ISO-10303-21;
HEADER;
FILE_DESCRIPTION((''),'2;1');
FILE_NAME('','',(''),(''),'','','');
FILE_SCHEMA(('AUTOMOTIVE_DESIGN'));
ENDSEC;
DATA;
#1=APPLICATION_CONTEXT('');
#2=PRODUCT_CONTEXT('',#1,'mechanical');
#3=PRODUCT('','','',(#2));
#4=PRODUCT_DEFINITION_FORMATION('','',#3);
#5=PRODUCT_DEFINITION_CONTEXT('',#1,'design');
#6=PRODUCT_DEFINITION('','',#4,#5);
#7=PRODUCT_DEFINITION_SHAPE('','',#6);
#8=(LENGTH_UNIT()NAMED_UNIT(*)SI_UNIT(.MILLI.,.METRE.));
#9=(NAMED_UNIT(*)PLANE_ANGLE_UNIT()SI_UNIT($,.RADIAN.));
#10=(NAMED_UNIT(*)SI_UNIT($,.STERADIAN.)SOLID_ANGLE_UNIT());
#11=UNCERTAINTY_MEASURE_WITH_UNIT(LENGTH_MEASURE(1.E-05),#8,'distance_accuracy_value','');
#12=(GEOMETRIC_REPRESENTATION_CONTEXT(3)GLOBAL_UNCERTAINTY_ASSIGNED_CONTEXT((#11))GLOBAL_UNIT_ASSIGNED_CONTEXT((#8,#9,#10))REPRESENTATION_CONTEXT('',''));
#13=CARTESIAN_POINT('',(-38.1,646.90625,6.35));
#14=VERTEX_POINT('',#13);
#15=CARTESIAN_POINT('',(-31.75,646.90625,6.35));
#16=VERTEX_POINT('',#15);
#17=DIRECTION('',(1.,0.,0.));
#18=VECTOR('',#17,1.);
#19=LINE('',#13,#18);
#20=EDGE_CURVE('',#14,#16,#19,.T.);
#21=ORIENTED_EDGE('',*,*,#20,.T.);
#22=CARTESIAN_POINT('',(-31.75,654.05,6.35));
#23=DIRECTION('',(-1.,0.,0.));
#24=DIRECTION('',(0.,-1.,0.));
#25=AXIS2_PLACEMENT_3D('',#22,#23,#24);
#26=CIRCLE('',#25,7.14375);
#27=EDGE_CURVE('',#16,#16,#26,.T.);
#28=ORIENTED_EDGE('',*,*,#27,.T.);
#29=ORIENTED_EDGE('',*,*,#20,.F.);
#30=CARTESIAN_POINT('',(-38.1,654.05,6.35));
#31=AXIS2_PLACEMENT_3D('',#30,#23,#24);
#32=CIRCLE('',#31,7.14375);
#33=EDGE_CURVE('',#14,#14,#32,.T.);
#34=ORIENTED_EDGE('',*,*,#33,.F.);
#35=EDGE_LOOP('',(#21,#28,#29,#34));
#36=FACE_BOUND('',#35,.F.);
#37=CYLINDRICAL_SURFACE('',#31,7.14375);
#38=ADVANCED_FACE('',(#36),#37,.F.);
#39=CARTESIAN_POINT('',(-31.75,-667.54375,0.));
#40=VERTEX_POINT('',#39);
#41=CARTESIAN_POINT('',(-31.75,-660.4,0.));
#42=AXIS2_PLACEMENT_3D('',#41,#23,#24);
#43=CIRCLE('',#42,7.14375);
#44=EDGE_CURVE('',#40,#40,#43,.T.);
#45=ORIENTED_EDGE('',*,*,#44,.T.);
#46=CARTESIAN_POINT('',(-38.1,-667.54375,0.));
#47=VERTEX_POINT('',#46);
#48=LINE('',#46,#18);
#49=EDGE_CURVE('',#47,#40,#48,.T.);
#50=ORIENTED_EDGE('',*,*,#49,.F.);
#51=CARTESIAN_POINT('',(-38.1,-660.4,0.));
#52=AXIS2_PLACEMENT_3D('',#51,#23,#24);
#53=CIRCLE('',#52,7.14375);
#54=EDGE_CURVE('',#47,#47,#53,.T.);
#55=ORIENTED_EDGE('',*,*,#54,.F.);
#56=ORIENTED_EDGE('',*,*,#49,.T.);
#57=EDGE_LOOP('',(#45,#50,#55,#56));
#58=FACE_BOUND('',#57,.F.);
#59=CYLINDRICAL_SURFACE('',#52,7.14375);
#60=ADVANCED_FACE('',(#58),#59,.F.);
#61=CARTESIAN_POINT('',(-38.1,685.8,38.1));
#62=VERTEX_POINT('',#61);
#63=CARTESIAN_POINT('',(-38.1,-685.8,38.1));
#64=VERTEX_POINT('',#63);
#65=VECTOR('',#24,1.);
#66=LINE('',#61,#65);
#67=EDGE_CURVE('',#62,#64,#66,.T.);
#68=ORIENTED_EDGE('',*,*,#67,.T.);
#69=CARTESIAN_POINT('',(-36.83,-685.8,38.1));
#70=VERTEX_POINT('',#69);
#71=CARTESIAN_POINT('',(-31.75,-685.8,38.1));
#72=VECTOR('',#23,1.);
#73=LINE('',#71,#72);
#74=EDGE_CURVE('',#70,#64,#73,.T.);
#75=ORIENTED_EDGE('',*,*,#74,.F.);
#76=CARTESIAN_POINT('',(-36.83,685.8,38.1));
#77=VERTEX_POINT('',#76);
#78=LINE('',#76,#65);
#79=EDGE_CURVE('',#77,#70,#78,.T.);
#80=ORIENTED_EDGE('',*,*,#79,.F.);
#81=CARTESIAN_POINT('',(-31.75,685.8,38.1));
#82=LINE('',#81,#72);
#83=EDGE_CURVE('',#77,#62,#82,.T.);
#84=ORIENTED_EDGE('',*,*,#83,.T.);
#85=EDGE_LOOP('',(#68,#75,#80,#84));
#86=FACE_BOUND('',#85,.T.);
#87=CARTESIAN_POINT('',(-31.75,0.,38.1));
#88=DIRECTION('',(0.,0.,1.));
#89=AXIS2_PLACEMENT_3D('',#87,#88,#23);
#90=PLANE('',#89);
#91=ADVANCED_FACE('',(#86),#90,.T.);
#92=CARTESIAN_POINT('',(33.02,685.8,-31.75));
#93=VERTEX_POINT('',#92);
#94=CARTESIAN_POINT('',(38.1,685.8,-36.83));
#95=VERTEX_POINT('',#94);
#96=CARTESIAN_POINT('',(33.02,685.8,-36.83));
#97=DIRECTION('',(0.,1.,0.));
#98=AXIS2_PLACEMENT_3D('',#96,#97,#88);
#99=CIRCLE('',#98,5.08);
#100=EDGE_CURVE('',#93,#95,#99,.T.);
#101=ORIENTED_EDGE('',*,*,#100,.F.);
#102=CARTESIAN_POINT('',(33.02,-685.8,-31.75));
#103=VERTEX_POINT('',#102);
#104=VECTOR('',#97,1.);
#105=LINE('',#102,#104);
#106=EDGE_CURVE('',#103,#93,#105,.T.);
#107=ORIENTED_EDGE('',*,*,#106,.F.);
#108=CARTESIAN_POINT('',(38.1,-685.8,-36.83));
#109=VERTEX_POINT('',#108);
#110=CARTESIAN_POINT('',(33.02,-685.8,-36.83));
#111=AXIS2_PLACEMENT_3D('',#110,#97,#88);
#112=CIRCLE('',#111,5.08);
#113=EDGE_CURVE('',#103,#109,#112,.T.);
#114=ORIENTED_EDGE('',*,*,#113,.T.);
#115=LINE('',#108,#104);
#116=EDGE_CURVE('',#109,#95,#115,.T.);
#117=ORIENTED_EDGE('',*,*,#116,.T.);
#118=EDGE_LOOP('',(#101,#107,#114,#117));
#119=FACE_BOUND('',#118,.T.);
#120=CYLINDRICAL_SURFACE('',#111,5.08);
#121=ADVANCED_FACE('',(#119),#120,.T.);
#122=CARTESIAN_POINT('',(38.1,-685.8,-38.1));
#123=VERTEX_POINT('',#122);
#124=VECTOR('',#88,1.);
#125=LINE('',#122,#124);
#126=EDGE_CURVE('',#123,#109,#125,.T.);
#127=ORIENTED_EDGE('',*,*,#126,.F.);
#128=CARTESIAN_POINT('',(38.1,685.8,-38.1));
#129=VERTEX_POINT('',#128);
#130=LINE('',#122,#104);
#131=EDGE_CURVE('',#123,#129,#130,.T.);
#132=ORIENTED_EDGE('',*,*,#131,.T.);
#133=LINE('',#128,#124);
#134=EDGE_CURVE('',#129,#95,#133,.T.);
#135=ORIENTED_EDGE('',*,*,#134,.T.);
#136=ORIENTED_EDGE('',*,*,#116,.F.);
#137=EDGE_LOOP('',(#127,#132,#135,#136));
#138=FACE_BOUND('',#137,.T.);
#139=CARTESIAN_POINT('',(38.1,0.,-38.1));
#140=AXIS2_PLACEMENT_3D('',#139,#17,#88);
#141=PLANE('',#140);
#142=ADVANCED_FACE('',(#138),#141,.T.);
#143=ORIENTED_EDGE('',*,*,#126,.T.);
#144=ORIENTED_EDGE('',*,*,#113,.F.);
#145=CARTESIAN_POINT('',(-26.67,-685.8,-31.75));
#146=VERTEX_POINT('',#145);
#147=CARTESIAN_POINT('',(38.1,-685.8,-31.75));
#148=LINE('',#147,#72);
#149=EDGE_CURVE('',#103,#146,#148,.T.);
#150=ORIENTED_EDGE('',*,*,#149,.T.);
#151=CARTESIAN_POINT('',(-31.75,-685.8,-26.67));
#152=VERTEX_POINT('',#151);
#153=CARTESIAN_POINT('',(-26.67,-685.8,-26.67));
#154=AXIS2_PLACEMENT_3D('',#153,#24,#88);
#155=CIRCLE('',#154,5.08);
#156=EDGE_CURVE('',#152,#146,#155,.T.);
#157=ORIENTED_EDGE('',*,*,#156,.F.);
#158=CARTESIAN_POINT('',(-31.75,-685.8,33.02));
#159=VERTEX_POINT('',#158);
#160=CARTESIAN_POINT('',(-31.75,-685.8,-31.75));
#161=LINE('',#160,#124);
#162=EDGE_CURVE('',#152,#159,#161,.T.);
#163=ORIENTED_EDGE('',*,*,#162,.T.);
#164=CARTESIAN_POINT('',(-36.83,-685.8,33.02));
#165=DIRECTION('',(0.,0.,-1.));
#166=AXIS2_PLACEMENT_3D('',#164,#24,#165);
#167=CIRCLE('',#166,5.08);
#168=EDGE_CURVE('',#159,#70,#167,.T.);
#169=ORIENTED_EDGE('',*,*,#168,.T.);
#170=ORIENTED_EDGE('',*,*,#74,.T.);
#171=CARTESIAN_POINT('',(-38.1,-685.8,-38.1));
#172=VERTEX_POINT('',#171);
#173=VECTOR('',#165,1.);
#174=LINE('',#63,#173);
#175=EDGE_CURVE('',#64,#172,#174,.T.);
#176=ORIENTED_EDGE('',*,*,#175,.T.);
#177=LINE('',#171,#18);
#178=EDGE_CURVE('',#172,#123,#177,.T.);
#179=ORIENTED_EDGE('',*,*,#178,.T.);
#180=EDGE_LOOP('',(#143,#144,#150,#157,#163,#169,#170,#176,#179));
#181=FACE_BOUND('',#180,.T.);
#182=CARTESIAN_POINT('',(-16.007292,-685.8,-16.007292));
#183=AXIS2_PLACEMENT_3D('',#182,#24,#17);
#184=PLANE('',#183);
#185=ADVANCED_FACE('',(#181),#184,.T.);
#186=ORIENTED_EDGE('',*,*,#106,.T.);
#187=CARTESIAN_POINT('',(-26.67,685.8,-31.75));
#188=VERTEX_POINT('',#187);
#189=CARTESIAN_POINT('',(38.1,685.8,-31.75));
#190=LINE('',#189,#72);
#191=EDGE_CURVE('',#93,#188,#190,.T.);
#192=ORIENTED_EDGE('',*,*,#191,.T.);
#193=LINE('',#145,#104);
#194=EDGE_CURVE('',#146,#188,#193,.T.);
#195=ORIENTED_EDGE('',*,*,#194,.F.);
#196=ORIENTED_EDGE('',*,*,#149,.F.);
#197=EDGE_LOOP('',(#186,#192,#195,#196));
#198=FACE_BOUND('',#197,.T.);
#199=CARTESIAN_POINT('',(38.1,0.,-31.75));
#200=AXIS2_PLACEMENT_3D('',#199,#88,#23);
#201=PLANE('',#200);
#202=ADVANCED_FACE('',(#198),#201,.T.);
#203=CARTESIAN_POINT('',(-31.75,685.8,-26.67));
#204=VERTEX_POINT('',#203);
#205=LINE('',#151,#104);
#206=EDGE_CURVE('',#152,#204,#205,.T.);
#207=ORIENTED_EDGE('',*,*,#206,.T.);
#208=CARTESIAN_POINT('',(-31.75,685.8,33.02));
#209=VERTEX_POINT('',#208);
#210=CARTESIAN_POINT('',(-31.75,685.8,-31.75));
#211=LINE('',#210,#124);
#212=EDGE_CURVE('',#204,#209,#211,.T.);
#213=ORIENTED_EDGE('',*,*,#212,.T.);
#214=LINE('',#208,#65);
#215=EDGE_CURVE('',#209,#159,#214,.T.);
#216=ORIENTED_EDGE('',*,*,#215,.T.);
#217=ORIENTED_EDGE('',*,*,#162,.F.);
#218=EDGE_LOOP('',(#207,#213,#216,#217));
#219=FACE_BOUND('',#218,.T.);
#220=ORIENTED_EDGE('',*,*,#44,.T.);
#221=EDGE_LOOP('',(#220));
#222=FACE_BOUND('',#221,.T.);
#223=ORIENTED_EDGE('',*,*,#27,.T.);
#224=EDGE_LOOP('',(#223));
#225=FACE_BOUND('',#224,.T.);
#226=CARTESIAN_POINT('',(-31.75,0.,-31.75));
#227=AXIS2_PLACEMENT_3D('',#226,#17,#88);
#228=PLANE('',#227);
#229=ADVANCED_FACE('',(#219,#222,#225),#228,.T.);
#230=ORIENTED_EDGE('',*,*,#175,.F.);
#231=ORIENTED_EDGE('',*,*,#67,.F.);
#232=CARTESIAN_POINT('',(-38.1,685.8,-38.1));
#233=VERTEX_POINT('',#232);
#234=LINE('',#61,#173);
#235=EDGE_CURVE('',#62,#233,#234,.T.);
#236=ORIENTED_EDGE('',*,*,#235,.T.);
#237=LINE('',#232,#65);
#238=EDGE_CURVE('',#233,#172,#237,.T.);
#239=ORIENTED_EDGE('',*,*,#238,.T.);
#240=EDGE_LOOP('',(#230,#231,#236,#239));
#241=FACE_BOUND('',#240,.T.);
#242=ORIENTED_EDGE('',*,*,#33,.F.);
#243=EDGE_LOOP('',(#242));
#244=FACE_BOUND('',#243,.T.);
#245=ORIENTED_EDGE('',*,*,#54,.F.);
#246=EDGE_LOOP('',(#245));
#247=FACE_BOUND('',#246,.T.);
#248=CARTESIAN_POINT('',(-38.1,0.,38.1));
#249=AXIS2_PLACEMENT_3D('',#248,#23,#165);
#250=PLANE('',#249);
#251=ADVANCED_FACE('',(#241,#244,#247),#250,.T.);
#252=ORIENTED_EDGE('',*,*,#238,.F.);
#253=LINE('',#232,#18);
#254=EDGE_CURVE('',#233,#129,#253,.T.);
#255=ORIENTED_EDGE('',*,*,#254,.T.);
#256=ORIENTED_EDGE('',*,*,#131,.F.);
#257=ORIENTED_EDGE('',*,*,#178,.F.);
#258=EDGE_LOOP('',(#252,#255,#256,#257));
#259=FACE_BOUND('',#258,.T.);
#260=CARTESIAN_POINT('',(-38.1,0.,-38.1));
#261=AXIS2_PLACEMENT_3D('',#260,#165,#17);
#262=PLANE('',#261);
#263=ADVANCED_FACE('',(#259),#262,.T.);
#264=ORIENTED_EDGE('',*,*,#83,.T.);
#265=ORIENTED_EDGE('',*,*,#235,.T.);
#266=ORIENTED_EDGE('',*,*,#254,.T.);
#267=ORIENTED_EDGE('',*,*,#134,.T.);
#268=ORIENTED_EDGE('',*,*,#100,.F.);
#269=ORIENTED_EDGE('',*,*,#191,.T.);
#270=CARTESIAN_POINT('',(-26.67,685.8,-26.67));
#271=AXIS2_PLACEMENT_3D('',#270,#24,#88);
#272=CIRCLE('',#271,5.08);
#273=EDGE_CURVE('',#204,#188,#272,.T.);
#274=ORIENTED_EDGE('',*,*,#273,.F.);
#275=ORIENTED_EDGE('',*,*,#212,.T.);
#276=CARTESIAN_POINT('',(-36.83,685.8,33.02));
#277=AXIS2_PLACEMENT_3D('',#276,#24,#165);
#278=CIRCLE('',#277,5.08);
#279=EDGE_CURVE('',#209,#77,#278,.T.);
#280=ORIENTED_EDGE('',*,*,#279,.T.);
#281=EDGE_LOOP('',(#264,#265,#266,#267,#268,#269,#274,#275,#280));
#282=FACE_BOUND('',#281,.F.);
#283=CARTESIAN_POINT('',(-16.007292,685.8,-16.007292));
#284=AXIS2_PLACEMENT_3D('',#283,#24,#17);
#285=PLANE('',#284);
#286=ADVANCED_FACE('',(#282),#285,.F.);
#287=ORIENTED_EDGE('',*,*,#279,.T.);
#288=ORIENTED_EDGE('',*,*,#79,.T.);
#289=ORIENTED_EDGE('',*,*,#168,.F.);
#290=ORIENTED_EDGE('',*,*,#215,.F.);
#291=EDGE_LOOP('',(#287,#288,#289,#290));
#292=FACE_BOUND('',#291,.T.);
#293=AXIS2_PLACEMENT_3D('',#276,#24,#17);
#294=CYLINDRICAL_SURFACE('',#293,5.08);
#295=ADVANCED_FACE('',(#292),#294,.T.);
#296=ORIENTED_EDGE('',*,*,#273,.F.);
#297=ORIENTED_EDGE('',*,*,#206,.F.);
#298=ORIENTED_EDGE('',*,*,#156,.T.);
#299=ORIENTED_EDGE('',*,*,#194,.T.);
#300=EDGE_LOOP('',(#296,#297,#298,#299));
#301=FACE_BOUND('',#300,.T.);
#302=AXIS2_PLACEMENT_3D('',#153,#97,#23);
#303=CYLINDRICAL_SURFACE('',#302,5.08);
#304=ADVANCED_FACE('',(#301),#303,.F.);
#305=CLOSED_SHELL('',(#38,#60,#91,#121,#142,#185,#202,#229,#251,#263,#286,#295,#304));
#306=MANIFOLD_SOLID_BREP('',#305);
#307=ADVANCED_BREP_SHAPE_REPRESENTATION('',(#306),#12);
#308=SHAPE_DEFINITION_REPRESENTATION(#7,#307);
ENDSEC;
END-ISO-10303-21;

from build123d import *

# Parameters (mm, degrees)
F1_DEPTH = 685.8
F2_R     = 5.08
F3_R     = 7.14375
F4_DEPTH = 25.4


with BuildPart() as f1:
    # F0 (on Front) → F1 (new body, symmetric)
    with BuildSketch(Plane.XZ):
        Polygon((-31.75, -31.75), (-31.75, 38.1), (-38.1, 38.1), (-38.1, -38.1), (38.1, -38.1), (38.1, -31.75), align=None)
    extrude(amount=F1_DEPTH, both=True)

    # F2
    f2_edges = [f1.edges().sort_by_distance(p)[0] for p in [
        (-31.75, 0, -31.75),
        (-31.75, 0, 38.1),
        (38.1, 0, -31.75),
    ]]
    fillet(f2_edges, radius=F2_R)

    # F3 (on face) → F4 (cut)
    with BuildSketch(Plane(origin=(-38.1, 0, 0), x_dir=(0, -1, 0), z_dir=(-1, 0, 0))):
        with Locations((660.4, 0)):
            Circle(F3_R)
        with Locations((-654.05, 6.35)):
            Circle(F3_R)
    extrude(amount=-F4_DEPTH, mode=Mode.SUBTRACT)


solid = f1.part
